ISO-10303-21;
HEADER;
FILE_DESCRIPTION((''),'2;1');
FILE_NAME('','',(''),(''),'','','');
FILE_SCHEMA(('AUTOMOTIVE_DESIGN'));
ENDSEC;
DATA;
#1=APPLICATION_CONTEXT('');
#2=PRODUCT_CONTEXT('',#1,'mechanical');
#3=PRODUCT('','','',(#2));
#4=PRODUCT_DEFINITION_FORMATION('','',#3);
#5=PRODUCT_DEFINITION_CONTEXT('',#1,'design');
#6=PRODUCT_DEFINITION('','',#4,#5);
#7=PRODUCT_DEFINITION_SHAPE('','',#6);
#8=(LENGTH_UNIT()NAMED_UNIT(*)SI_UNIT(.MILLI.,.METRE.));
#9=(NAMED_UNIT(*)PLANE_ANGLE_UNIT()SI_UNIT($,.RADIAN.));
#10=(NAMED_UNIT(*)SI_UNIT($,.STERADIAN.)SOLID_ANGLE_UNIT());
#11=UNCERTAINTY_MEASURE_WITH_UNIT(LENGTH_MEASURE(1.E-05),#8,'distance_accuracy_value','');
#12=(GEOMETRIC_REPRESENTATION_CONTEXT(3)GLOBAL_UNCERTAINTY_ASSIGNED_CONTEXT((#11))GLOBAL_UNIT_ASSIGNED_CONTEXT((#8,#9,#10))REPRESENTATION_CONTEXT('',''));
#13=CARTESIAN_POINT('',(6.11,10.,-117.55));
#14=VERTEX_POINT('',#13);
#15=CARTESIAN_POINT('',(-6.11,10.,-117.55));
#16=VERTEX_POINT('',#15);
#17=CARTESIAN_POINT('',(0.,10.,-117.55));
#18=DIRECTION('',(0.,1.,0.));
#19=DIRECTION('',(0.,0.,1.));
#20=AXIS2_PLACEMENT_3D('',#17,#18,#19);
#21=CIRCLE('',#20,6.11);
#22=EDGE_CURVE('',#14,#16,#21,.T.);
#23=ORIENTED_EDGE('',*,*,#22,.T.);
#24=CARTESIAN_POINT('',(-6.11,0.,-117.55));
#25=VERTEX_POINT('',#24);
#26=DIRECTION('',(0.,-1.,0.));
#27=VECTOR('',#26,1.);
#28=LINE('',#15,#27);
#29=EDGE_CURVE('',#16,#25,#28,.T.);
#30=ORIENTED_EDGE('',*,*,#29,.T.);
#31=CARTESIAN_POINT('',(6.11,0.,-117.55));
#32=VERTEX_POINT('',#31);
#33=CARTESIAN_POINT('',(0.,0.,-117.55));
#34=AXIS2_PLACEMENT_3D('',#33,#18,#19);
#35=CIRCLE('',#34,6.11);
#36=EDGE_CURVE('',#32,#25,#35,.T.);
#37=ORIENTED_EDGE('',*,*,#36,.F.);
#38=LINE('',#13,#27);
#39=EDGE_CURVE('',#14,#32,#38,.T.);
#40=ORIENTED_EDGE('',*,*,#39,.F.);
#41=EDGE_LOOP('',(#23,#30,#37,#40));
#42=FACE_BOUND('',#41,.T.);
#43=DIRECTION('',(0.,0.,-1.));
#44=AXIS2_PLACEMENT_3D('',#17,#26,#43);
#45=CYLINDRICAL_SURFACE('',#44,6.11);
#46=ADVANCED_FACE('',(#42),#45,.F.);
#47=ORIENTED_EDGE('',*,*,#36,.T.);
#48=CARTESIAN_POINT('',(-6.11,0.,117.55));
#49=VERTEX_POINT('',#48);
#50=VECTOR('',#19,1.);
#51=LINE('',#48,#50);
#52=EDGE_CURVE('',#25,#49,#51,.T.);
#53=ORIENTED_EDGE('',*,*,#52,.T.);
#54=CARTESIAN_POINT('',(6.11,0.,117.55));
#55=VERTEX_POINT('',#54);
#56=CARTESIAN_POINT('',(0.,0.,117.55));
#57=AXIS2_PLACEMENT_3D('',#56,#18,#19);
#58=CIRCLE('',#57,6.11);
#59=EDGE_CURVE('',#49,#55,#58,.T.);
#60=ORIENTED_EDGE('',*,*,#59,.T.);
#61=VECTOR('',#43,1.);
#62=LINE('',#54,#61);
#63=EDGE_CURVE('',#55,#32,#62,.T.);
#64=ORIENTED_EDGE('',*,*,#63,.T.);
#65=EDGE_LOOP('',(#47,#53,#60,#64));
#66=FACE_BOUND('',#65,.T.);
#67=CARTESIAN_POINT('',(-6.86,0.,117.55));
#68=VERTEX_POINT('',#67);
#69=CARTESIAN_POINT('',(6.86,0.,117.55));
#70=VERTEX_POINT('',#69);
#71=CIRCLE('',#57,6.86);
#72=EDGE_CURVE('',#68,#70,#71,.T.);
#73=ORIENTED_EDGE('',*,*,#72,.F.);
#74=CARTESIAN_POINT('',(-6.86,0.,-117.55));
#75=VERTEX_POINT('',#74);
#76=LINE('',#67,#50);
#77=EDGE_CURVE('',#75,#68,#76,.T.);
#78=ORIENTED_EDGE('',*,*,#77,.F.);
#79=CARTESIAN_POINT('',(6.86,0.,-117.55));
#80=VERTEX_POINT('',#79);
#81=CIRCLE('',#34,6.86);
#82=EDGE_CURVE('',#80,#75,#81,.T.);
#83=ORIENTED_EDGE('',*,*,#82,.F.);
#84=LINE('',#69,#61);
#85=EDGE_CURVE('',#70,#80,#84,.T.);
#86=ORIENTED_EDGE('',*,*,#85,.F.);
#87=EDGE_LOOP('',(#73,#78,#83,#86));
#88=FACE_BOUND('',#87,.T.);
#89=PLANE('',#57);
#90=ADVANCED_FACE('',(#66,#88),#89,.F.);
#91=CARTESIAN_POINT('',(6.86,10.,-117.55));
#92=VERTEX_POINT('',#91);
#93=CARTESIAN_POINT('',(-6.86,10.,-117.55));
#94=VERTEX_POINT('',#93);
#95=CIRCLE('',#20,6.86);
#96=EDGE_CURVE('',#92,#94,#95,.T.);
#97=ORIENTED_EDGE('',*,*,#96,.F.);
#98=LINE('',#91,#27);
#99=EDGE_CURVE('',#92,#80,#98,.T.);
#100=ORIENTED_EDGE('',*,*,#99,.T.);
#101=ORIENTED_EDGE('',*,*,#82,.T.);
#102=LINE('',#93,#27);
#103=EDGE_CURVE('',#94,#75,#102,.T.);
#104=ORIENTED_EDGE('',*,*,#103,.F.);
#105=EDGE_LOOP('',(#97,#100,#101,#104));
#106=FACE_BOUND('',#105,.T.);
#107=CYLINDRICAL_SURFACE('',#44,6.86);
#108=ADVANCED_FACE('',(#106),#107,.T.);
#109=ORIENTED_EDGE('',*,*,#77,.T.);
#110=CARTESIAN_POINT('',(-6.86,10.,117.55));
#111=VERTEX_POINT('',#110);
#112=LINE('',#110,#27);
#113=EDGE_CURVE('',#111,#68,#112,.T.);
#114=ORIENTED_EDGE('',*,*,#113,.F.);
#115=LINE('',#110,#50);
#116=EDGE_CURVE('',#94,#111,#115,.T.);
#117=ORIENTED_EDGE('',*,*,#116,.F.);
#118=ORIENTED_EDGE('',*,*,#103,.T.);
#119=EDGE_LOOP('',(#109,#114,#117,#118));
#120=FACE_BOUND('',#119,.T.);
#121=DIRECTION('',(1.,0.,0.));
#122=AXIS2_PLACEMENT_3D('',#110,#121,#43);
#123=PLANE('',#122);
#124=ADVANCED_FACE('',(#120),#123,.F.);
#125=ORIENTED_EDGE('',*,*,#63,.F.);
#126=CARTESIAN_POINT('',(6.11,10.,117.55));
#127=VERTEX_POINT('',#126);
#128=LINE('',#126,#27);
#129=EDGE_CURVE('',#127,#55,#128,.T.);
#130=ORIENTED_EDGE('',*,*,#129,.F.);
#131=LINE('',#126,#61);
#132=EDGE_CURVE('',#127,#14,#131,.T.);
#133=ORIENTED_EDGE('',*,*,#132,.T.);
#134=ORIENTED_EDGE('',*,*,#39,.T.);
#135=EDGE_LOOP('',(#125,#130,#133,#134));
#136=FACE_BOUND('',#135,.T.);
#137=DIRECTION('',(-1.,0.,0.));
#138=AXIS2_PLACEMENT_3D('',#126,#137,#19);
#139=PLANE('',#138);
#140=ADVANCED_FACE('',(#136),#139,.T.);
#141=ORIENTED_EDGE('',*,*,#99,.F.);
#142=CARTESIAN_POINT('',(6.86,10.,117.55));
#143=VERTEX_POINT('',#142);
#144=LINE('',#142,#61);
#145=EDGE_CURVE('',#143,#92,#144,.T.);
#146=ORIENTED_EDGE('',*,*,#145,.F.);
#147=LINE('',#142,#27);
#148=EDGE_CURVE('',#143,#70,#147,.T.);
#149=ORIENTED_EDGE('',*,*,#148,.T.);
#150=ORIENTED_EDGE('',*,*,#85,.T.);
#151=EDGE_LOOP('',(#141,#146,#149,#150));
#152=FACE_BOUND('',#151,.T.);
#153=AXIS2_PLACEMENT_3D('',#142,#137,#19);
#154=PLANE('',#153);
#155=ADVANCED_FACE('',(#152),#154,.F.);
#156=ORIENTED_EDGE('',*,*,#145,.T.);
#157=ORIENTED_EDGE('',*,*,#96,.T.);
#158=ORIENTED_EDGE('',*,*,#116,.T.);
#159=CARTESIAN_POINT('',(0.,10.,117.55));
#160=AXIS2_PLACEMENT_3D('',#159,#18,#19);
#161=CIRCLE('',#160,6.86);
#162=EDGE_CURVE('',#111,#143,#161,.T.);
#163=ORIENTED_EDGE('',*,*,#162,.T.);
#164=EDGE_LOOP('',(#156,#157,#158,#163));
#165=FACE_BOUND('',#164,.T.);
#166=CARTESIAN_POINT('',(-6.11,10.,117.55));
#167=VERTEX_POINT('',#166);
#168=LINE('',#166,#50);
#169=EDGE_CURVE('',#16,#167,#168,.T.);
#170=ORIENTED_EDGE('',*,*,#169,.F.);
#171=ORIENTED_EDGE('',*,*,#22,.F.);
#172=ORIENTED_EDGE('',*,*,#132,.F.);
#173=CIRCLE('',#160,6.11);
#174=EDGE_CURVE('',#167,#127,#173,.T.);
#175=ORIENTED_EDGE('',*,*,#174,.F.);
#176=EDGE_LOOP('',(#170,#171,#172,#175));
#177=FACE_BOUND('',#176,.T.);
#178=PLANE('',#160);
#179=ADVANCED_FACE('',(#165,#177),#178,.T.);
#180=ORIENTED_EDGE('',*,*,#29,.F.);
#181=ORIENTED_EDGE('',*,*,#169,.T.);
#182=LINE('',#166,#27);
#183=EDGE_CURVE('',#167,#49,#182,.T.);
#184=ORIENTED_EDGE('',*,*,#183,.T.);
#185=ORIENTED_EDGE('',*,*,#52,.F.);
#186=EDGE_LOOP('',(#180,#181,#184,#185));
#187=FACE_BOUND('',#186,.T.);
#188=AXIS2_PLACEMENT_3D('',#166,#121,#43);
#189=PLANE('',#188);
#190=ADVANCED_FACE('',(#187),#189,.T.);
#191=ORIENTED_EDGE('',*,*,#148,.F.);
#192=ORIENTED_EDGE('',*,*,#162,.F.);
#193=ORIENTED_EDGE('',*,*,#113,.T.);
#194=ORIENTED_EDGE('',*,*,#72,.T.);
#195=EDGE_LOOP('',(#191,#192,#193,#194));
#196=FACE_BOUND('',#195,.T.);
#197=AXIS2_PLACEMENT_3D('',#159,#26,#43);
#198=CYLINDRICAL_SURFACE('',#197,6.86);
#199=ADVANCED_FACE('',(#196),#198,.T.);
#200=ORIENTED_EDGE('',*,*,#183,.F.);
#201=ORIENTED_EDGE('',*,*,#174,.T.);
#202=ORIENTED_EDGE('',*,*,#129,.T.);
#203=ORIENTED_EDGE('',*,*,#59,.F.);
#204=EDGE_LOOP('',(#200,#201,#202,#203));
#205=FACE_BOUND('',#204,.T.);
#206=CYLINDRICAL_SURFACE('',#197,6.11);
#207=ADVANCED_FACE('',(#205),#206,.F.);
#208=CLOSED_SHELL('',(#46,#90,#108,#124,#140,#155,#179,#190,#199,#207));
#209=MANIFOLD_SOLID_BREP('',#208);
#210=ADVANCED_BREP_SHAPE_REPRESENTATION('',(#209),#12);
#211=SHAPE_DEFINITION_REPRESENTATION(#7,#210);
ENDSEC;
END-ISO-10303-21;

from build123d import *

# Parameters (mm, degrees)
EXTRUDE_1_DEPTH = 10


with BuildPart() as part:
    # 草图1 → 凸台-拉伸1 (new body)
    with BuildSketch(Plane(origin=(0, 0, 0), x_dir=(1, 0, 0), z_dir=(0, 1, 0))):
        with BuildLine():
            Line((-6.86, -117.55), (-6.86, 117.55))
            ThreePointArc((-6.86, 117.55), (0, 124.41), (6.86, 117.55))
            Line((6.86, 117.55), (6.86, -117.55))
            ThreePointArc((6.86, -117.55), (0, -124.41), (-6.86, -117.55))
        make_face()
        with BuildLine():
            Line((-6.11, -117.55), (-6.11, 117.55))
            ThreePointArc((-6.11, 117.55), (0, 123.66), (6.11, 117.55))
            Line((6.11, 117.55), (6.11, -117.55))
            ThreePointArc((6.11, -117.55), (0, -123.66), (-6.11, -117.55))
        make_face(mode=Mode.SUBTRACT)
    extrude(amount=EXTRUDE_1_DEPTH)


solid = part.part
